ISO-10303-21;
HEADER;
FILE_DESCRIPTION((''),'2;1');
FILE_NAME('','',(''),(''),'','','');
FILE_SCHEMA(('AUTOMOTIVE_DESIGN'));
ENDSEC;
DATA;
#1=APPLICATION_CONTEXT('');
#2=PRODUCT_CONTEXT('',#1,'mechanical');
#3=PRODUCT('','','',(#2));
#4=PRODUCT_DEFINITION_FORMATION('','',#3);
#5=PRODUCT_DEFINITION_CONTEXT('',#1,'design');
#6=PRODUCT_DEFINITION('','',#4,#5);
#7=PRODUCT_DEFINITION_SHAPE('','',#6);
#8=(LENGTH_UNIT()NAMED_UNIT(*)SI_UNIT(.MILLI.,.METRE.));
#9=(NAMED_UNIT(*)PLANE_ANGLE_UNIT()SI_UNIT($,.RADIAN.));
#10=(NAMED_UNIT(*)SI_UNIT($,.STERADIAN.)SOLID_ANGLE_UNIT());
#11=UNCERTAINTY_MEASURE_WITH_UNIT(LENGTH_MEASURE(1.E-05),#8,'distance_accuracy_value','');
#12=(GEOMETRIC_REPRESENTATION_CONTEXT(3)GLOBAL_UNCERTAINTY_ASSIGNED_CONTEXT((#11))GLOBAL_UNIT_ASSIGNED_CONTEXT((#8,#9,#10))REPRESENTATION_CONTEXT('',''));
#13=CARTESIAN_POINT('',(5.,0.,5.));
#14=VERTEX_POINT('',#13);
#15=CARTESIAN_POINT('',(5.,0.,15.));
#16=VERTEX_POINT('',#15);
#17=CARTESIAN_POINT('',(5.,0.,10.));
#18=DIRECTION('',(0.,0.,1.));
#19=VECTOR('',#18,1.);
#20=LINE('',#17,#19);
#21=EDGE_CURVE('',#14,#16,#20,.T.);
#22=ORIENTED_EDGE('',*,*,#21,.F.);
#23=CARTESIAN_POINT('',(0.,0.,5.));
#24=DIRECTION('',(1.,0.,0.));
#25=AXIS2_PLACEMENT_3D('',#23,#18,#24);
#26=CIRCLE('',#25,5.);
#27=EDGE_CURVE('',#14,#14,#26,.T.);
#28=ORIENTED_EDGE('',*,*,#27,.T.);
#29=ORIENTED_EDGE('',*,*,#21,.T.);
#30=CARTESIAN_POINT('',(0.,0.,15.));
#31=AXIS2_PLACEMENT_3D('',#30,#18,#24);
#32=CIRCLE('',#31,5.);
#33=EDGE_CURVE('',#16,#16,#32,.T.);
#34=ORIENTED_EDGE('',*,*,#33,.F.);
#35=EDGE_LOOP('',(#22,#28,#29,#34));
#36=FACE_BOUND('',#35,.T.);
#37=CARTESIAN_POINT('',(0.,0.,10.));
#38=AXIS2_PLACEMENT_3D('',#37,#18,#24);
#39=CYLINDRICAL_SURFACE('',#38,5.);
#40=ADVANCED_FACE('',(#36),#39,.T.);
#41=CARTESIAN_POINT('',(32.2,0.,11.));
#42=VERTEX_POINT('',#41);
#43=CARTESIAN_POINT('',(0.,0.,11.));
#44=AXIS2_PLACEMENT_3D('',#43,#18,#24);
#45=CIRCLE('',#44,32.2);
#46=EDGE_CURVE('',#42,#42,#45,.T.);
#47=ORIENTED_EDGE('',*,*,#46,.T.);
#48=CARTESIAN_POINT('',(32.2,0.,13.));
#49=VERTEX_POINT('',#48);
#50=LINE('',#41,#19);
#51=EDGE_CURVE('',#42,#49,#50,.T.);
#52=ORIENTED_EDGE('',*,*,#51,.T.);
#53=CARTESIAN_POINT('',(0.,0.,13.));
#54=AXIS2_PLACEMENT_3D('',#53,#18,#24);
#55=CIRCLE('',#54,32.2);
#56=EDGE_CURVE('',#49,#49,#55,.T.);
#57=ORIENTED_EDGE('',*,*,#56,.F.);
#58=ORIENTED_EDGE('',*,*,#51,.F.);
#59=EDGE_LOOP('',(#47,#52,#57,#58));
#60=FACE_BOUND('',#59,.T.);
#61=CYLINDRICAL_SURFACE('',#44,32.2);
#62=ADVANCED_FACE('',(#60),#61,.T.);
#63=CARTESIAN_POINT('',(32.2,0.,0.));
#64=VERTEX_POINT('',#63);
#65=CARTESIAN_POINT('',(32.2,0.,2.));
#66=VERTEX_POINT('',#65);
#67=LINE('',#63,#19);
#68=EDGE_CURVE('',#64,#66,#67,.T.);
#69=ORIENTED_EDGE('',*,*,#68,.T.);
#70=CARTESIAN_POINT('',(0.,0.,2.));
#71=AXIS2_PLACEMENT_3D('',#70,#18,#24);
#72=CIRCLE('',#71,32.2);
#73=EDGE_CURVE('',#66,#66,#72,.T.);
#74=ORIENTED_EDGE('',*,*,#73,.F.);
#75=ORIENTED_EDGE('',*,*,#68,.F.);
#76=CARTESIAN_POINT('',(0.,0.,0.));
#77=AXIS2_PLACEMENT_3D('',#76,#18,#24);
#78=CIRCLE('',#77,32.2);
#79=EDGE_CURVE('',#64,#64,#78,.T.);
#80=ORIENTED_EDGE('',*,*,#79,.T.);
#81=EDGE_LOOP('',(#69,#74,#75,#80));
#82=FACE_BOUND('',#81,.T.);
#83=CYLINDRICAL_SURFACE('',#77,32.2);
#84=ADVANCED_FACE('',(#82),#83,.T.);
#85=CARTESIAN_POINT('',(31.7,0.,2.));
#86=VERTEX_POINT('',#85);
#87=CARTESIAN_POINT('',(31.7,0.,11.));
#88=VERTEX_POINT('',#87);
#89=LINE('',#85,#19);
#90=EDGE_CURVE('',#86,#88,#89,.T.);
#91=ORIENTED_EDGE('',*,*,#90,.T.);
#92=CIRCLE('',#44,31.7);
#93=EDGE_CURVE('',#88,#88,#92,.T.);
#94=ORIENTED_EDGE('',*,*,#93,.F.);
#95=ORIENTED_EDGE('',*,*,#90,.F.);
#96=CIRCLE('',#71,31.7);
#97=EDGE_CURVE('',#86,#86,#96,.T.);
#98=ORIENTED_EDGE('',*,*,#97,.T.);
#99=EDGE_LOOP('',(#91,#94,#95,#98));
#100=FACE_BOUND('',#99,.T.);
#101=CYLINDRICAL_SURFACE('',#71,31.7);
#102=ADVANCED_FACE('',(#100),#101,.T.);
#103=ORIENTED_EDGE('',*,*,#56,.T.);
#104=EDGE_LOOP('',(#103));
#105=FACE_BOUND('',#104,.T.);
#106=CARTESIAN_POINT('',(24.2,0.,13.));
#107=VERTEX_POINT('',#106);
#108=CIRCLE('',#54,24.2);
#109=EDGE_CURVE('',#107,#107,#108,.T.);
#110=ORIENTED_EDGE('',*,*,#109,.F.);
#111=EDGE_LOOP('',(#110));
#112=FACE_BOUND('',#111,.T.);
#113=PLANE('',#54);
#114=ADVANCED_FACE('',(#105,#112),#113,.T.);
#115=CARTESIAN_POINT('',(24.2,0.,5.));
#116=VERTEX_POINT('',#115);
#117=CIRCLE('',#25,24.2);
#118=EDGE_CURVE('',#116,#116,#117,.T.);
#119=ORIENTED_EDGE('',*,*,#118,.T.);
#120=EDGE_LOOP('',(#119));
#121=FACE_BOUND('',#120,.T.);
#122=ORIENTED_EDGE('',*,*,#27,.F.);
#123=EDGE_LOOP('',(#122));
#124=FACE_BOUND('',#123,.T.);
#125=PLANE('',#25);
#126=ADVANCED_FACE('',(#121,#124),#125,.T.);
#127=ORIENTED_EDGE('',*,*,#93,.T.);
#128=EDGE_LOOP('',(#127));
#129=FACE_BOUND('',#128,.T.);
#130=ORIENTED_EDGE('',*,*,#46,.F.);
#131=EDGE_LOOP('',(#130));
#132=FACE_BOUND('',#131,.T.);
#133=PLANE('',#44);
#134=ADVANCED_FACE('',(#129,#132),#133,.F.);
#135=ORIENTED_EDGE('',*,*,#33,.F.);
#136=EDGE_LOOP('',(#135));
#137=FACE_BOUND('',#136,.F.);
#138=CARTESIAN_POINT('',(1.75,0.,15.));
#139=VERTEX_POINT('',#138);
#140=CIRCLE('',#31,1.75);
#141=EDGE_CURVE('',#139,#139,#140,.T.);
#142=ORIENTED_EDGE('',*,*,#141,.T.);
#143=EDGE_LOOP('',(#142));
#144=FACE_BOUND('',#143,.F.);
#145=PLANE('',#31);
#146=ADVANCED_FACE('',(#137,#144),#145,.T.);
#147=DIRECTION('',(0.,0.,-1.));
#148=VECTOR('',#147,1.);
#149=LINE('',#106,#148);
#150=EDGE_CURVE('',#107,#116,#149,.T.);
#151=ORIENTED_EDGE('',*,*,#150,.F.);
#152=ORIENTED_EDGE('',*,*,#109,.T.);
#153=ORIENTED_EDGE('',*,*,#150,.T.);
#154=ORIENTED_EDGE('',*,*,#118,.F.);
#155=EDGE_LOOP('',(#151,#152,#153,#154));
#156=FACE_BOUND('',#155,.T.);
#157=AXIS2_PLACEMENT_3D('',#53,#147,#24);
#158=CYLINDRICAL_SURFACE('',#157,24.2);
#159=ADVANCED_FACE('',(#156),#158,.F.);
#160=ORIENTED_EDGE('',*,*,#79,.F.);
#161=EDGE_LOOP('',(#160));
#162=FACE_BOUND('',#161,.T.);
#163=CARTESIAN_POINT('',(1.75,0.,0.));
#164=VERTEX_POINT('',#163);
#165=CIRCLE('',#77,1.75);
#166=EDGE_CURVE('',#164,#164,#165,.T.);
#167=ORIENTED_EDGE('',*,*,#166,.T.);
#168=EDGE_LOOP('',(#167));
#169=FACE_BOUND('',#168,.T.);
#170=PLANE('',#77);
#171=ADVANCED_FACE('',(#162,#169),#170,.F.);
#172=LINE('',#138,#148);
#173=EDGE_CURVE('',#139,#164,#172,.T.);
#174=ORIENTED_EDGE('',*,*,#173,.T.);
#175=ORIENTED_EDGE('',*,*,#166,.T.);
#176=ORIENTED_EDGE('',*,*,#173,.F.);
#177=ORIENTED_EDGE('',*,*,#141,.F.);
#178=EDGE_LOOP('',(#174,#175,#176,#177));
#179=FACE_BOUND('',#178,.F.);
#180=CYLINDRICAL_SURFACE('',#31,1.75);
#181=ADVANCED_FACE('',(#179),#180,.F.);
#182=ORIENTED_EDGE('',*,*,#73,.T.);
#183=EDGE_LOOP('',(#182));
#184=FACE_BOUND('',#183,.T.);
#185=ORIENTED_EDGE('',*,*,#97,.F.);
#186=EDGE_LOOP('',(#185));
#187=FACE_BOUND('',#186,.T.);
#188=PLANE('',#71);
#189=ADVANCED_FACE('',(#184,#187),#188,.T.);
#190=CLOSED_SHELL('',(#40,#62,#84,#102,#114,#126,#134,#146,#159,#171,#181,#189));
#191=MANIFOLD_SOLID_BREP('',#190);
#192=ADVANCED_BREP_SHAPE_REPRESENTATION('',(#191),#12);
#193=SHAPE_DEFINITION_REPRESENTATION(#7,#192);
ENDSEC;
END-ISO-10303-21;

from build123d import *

# Parameters (mm, degrees)
F0_W     = 5
F0_H     = 10
F3_R     = 1.75
F4_DEPTH = 40


with BuildPart() as f1:
    # F0 (on Front) → F1 (revolve)
    with BuildSketch(Plane.XZ):
        with Locations((2.5, 10)):
            Rectangle(F0_W, F0_H)
        Polygon((0, 5), (0, 0), (32.2, 0), (32.2, 2), (31.7, 2), (31.7, 11), (32.2, 11), (32.2, 13), (24.2, 13), (24.2, 5), (5, 5), align=None)
    revolve(axis=Axis((0, 0, 10), (0, 0, 1)))

    # F3 (on face) → F4 (cut)
    with BuildSketch(Plane.XY.offset(15)):
        Circle(F3_R)
    extrude(amount=-F4_DEPTH, mode=Mode.SUBTRACT)


solid = f1.part
